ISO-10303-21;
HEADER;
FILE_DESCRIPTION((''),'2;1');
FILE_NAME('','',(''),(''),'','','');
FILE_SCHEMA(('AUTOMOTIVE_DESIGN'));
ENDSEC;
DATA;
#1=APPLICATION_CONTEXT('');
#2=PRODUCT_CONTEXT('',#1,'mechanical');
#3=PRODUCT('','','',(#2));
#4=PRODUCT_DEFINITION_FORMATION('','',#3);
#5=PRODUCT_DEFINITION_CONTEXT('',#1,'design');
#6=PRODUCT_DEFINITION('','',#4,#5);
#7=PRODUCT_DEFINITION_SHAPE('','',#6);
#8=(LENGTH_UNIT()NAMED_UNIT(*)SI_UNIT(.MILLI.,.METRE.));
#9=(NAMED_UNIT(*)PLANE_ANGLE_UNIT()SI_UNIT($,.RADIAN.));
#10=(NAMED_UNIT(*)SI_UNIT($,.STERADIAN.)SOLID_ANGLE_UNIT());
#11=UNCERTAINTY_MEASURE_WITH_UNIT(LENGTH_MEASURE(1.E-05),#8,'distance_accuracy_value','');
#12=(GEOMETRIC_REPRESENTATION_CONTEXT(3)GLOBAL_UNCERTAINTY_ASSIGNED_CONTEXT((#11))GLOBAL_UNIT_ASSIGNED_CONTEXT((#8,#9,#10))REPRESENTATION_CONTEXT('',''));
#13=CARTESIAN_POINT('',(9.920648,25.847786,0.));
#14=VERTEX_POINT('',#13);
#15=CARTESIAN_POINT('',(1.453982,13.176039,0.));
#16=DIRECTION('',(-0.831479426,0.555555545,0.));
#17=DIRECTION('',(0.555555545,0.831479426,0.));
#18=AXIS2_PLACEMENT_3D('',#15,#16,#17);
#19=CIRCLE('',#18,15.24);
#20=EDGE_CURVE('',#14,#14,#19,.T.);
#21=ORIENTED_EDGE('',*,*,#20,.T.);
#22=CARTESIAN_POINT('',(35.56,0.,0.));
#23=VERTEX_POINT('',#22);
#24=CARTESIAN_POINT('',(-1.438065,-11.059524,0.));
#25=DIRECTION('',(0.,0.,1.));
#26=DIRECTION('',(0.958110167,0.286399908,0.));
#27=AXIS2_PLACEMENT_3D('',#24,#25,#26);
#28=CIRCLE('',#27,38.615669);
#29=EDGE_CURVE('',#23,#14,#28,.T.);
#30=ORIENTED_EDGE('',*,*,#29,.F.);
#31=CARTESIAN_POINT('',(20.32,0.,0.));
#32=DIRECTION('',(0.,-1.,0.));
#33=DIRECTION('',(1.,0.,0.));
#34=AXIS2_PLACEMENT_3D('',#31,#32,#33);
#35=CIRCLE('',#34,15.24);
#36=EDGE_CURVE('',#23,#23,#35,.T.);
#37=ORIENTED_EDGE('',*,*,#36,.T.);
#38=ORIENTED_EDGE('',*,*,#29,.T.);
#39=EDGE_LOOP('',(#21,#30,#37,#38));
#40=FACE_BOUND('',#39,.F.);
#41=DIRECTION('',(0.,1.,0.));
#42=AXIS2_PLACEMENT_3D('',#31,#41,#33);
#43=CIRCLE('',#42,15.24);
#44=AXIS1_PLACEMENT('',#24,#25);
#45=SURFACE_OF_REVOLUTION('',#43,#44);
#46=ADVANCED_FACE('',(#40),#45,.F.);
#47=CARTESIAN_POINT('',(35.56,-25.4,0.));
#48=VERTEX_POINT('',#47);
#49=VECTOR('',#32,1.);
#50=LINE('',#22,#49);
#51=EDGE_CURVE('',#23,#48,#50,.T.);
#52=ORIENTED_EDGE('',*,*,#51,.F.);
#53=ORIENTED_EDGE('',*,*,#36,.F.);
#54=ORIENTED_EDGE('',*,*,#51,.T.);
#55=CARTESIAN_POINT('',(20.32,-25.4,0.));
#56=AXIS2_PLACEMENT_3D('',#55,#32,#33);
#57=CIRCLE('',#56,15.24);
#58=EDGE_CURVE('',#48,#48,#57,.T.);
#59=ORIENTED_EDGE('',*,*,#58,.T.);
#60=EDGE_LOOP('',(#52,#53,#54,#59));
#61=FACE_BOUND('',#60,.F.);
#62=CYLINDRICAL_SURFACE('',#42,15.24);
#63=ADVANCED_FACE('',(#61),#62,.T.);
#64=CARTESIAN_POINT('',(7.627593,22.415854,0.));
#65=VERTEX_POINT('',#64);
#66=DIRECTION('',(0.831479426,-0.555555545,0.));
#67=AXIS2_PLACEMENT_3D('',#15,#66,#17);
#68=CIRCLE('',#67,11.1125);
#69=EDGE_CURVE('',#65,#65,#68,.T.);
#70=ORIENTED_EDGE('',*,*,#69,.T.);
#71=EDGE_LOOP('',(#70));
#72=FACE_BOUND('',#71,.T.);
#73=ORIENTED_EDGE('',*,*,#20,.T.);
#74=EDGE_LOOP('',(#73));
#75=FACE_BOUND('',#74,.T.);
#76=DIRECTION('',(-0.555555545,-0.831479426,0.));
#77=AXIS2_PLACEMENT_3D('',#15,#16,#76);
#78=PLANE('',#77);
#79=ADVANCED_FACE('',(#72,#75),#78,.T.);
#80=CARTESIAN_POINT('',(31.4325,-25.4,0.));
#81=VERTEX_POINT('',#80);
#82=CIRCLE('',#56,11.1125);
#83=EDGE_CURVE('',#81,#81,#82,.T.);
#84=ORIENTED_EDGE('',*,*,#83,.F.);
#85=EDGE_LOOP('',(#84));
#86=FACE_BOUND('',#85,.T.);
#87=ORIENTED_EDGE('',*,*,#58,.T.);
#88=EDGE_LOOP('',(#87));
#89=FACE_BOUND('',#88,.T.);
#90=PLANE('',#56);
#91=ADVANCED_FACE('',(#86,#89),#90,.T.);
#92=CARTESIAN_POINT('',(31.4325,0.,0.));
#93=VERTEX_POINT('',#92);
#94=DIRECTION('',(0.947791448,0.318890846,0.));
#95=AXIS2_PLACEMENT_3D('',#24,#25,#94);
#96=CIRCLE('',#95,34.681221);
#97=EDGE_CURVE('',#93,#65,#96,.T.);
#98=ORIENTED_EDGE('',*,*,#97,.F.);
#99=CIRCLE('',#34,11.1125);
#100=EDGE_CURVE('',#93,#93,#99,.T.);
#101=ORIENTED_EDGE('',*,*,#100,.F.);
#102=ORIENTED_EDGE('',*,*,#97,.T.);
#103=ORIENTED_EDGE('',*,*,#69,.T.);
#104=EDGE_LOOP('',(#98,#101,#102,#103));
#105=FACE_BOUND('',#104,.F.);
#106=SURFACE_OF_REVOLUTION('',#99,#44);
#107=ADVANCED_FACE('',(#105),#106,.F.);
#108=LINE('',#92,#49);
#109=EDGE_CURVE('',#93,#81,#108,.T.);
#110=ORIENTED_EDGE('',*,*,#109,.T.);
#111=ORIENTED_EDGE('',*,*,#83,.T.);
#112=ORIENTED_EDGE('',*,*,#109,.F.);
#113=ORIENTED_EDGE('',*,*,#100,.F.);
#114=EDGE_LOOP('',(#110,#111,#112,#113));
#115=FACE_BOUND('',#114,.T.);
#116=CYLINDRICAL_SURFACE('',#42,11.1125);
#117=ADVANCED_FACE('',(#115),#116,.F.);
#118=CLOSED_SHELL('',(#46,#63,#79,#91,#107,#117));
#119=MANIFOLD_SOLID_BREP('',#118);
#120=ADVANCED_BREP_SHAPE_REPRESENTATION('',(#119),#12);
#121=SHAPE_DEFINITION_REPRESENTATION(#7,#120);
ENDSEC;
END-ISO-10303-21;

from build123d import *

# Parameters (mm, degrees)
F0_R        = 15.24
F0_R_2      = 11.1125
F1_DEPTH    = 25.4
F1_FACE_R   = 15.24
F1_FACE_R_2 = 11.1125


with BuildPart() as f1:
    # F0 (on Front) → F1 (new body)
    with BuildSketch(Plane.XZ):
        with Locations((20.32, 0)):
            Circle(F0_R)
        with Locations((20.32, 0)):
            Circle(F0_R_2, mode=Mode.SUBTRACT)
    extrude(amount=F1_DEPTH)

    # F3: sweep along a path in F2
    with BuildLine(Plane.XY) as f3_path:
        ThreePointArc((35.021459, 0), (25.502703, 15.881244), (9.621459, 25.4))
    # F1_face (on face) → F3 (sweep)
    with BuildSketch(Plane(origin=(20.32, 0, 0), x_dir=(1, 0, 0), z_dir=(0, 1, 0))):
        Circle(F1_FACE_R)
        Circle(F1_FACE_R_2, mode=Mode.SUBTRACT)
    sweep(path=f3_path.line)


solid = f1.part
